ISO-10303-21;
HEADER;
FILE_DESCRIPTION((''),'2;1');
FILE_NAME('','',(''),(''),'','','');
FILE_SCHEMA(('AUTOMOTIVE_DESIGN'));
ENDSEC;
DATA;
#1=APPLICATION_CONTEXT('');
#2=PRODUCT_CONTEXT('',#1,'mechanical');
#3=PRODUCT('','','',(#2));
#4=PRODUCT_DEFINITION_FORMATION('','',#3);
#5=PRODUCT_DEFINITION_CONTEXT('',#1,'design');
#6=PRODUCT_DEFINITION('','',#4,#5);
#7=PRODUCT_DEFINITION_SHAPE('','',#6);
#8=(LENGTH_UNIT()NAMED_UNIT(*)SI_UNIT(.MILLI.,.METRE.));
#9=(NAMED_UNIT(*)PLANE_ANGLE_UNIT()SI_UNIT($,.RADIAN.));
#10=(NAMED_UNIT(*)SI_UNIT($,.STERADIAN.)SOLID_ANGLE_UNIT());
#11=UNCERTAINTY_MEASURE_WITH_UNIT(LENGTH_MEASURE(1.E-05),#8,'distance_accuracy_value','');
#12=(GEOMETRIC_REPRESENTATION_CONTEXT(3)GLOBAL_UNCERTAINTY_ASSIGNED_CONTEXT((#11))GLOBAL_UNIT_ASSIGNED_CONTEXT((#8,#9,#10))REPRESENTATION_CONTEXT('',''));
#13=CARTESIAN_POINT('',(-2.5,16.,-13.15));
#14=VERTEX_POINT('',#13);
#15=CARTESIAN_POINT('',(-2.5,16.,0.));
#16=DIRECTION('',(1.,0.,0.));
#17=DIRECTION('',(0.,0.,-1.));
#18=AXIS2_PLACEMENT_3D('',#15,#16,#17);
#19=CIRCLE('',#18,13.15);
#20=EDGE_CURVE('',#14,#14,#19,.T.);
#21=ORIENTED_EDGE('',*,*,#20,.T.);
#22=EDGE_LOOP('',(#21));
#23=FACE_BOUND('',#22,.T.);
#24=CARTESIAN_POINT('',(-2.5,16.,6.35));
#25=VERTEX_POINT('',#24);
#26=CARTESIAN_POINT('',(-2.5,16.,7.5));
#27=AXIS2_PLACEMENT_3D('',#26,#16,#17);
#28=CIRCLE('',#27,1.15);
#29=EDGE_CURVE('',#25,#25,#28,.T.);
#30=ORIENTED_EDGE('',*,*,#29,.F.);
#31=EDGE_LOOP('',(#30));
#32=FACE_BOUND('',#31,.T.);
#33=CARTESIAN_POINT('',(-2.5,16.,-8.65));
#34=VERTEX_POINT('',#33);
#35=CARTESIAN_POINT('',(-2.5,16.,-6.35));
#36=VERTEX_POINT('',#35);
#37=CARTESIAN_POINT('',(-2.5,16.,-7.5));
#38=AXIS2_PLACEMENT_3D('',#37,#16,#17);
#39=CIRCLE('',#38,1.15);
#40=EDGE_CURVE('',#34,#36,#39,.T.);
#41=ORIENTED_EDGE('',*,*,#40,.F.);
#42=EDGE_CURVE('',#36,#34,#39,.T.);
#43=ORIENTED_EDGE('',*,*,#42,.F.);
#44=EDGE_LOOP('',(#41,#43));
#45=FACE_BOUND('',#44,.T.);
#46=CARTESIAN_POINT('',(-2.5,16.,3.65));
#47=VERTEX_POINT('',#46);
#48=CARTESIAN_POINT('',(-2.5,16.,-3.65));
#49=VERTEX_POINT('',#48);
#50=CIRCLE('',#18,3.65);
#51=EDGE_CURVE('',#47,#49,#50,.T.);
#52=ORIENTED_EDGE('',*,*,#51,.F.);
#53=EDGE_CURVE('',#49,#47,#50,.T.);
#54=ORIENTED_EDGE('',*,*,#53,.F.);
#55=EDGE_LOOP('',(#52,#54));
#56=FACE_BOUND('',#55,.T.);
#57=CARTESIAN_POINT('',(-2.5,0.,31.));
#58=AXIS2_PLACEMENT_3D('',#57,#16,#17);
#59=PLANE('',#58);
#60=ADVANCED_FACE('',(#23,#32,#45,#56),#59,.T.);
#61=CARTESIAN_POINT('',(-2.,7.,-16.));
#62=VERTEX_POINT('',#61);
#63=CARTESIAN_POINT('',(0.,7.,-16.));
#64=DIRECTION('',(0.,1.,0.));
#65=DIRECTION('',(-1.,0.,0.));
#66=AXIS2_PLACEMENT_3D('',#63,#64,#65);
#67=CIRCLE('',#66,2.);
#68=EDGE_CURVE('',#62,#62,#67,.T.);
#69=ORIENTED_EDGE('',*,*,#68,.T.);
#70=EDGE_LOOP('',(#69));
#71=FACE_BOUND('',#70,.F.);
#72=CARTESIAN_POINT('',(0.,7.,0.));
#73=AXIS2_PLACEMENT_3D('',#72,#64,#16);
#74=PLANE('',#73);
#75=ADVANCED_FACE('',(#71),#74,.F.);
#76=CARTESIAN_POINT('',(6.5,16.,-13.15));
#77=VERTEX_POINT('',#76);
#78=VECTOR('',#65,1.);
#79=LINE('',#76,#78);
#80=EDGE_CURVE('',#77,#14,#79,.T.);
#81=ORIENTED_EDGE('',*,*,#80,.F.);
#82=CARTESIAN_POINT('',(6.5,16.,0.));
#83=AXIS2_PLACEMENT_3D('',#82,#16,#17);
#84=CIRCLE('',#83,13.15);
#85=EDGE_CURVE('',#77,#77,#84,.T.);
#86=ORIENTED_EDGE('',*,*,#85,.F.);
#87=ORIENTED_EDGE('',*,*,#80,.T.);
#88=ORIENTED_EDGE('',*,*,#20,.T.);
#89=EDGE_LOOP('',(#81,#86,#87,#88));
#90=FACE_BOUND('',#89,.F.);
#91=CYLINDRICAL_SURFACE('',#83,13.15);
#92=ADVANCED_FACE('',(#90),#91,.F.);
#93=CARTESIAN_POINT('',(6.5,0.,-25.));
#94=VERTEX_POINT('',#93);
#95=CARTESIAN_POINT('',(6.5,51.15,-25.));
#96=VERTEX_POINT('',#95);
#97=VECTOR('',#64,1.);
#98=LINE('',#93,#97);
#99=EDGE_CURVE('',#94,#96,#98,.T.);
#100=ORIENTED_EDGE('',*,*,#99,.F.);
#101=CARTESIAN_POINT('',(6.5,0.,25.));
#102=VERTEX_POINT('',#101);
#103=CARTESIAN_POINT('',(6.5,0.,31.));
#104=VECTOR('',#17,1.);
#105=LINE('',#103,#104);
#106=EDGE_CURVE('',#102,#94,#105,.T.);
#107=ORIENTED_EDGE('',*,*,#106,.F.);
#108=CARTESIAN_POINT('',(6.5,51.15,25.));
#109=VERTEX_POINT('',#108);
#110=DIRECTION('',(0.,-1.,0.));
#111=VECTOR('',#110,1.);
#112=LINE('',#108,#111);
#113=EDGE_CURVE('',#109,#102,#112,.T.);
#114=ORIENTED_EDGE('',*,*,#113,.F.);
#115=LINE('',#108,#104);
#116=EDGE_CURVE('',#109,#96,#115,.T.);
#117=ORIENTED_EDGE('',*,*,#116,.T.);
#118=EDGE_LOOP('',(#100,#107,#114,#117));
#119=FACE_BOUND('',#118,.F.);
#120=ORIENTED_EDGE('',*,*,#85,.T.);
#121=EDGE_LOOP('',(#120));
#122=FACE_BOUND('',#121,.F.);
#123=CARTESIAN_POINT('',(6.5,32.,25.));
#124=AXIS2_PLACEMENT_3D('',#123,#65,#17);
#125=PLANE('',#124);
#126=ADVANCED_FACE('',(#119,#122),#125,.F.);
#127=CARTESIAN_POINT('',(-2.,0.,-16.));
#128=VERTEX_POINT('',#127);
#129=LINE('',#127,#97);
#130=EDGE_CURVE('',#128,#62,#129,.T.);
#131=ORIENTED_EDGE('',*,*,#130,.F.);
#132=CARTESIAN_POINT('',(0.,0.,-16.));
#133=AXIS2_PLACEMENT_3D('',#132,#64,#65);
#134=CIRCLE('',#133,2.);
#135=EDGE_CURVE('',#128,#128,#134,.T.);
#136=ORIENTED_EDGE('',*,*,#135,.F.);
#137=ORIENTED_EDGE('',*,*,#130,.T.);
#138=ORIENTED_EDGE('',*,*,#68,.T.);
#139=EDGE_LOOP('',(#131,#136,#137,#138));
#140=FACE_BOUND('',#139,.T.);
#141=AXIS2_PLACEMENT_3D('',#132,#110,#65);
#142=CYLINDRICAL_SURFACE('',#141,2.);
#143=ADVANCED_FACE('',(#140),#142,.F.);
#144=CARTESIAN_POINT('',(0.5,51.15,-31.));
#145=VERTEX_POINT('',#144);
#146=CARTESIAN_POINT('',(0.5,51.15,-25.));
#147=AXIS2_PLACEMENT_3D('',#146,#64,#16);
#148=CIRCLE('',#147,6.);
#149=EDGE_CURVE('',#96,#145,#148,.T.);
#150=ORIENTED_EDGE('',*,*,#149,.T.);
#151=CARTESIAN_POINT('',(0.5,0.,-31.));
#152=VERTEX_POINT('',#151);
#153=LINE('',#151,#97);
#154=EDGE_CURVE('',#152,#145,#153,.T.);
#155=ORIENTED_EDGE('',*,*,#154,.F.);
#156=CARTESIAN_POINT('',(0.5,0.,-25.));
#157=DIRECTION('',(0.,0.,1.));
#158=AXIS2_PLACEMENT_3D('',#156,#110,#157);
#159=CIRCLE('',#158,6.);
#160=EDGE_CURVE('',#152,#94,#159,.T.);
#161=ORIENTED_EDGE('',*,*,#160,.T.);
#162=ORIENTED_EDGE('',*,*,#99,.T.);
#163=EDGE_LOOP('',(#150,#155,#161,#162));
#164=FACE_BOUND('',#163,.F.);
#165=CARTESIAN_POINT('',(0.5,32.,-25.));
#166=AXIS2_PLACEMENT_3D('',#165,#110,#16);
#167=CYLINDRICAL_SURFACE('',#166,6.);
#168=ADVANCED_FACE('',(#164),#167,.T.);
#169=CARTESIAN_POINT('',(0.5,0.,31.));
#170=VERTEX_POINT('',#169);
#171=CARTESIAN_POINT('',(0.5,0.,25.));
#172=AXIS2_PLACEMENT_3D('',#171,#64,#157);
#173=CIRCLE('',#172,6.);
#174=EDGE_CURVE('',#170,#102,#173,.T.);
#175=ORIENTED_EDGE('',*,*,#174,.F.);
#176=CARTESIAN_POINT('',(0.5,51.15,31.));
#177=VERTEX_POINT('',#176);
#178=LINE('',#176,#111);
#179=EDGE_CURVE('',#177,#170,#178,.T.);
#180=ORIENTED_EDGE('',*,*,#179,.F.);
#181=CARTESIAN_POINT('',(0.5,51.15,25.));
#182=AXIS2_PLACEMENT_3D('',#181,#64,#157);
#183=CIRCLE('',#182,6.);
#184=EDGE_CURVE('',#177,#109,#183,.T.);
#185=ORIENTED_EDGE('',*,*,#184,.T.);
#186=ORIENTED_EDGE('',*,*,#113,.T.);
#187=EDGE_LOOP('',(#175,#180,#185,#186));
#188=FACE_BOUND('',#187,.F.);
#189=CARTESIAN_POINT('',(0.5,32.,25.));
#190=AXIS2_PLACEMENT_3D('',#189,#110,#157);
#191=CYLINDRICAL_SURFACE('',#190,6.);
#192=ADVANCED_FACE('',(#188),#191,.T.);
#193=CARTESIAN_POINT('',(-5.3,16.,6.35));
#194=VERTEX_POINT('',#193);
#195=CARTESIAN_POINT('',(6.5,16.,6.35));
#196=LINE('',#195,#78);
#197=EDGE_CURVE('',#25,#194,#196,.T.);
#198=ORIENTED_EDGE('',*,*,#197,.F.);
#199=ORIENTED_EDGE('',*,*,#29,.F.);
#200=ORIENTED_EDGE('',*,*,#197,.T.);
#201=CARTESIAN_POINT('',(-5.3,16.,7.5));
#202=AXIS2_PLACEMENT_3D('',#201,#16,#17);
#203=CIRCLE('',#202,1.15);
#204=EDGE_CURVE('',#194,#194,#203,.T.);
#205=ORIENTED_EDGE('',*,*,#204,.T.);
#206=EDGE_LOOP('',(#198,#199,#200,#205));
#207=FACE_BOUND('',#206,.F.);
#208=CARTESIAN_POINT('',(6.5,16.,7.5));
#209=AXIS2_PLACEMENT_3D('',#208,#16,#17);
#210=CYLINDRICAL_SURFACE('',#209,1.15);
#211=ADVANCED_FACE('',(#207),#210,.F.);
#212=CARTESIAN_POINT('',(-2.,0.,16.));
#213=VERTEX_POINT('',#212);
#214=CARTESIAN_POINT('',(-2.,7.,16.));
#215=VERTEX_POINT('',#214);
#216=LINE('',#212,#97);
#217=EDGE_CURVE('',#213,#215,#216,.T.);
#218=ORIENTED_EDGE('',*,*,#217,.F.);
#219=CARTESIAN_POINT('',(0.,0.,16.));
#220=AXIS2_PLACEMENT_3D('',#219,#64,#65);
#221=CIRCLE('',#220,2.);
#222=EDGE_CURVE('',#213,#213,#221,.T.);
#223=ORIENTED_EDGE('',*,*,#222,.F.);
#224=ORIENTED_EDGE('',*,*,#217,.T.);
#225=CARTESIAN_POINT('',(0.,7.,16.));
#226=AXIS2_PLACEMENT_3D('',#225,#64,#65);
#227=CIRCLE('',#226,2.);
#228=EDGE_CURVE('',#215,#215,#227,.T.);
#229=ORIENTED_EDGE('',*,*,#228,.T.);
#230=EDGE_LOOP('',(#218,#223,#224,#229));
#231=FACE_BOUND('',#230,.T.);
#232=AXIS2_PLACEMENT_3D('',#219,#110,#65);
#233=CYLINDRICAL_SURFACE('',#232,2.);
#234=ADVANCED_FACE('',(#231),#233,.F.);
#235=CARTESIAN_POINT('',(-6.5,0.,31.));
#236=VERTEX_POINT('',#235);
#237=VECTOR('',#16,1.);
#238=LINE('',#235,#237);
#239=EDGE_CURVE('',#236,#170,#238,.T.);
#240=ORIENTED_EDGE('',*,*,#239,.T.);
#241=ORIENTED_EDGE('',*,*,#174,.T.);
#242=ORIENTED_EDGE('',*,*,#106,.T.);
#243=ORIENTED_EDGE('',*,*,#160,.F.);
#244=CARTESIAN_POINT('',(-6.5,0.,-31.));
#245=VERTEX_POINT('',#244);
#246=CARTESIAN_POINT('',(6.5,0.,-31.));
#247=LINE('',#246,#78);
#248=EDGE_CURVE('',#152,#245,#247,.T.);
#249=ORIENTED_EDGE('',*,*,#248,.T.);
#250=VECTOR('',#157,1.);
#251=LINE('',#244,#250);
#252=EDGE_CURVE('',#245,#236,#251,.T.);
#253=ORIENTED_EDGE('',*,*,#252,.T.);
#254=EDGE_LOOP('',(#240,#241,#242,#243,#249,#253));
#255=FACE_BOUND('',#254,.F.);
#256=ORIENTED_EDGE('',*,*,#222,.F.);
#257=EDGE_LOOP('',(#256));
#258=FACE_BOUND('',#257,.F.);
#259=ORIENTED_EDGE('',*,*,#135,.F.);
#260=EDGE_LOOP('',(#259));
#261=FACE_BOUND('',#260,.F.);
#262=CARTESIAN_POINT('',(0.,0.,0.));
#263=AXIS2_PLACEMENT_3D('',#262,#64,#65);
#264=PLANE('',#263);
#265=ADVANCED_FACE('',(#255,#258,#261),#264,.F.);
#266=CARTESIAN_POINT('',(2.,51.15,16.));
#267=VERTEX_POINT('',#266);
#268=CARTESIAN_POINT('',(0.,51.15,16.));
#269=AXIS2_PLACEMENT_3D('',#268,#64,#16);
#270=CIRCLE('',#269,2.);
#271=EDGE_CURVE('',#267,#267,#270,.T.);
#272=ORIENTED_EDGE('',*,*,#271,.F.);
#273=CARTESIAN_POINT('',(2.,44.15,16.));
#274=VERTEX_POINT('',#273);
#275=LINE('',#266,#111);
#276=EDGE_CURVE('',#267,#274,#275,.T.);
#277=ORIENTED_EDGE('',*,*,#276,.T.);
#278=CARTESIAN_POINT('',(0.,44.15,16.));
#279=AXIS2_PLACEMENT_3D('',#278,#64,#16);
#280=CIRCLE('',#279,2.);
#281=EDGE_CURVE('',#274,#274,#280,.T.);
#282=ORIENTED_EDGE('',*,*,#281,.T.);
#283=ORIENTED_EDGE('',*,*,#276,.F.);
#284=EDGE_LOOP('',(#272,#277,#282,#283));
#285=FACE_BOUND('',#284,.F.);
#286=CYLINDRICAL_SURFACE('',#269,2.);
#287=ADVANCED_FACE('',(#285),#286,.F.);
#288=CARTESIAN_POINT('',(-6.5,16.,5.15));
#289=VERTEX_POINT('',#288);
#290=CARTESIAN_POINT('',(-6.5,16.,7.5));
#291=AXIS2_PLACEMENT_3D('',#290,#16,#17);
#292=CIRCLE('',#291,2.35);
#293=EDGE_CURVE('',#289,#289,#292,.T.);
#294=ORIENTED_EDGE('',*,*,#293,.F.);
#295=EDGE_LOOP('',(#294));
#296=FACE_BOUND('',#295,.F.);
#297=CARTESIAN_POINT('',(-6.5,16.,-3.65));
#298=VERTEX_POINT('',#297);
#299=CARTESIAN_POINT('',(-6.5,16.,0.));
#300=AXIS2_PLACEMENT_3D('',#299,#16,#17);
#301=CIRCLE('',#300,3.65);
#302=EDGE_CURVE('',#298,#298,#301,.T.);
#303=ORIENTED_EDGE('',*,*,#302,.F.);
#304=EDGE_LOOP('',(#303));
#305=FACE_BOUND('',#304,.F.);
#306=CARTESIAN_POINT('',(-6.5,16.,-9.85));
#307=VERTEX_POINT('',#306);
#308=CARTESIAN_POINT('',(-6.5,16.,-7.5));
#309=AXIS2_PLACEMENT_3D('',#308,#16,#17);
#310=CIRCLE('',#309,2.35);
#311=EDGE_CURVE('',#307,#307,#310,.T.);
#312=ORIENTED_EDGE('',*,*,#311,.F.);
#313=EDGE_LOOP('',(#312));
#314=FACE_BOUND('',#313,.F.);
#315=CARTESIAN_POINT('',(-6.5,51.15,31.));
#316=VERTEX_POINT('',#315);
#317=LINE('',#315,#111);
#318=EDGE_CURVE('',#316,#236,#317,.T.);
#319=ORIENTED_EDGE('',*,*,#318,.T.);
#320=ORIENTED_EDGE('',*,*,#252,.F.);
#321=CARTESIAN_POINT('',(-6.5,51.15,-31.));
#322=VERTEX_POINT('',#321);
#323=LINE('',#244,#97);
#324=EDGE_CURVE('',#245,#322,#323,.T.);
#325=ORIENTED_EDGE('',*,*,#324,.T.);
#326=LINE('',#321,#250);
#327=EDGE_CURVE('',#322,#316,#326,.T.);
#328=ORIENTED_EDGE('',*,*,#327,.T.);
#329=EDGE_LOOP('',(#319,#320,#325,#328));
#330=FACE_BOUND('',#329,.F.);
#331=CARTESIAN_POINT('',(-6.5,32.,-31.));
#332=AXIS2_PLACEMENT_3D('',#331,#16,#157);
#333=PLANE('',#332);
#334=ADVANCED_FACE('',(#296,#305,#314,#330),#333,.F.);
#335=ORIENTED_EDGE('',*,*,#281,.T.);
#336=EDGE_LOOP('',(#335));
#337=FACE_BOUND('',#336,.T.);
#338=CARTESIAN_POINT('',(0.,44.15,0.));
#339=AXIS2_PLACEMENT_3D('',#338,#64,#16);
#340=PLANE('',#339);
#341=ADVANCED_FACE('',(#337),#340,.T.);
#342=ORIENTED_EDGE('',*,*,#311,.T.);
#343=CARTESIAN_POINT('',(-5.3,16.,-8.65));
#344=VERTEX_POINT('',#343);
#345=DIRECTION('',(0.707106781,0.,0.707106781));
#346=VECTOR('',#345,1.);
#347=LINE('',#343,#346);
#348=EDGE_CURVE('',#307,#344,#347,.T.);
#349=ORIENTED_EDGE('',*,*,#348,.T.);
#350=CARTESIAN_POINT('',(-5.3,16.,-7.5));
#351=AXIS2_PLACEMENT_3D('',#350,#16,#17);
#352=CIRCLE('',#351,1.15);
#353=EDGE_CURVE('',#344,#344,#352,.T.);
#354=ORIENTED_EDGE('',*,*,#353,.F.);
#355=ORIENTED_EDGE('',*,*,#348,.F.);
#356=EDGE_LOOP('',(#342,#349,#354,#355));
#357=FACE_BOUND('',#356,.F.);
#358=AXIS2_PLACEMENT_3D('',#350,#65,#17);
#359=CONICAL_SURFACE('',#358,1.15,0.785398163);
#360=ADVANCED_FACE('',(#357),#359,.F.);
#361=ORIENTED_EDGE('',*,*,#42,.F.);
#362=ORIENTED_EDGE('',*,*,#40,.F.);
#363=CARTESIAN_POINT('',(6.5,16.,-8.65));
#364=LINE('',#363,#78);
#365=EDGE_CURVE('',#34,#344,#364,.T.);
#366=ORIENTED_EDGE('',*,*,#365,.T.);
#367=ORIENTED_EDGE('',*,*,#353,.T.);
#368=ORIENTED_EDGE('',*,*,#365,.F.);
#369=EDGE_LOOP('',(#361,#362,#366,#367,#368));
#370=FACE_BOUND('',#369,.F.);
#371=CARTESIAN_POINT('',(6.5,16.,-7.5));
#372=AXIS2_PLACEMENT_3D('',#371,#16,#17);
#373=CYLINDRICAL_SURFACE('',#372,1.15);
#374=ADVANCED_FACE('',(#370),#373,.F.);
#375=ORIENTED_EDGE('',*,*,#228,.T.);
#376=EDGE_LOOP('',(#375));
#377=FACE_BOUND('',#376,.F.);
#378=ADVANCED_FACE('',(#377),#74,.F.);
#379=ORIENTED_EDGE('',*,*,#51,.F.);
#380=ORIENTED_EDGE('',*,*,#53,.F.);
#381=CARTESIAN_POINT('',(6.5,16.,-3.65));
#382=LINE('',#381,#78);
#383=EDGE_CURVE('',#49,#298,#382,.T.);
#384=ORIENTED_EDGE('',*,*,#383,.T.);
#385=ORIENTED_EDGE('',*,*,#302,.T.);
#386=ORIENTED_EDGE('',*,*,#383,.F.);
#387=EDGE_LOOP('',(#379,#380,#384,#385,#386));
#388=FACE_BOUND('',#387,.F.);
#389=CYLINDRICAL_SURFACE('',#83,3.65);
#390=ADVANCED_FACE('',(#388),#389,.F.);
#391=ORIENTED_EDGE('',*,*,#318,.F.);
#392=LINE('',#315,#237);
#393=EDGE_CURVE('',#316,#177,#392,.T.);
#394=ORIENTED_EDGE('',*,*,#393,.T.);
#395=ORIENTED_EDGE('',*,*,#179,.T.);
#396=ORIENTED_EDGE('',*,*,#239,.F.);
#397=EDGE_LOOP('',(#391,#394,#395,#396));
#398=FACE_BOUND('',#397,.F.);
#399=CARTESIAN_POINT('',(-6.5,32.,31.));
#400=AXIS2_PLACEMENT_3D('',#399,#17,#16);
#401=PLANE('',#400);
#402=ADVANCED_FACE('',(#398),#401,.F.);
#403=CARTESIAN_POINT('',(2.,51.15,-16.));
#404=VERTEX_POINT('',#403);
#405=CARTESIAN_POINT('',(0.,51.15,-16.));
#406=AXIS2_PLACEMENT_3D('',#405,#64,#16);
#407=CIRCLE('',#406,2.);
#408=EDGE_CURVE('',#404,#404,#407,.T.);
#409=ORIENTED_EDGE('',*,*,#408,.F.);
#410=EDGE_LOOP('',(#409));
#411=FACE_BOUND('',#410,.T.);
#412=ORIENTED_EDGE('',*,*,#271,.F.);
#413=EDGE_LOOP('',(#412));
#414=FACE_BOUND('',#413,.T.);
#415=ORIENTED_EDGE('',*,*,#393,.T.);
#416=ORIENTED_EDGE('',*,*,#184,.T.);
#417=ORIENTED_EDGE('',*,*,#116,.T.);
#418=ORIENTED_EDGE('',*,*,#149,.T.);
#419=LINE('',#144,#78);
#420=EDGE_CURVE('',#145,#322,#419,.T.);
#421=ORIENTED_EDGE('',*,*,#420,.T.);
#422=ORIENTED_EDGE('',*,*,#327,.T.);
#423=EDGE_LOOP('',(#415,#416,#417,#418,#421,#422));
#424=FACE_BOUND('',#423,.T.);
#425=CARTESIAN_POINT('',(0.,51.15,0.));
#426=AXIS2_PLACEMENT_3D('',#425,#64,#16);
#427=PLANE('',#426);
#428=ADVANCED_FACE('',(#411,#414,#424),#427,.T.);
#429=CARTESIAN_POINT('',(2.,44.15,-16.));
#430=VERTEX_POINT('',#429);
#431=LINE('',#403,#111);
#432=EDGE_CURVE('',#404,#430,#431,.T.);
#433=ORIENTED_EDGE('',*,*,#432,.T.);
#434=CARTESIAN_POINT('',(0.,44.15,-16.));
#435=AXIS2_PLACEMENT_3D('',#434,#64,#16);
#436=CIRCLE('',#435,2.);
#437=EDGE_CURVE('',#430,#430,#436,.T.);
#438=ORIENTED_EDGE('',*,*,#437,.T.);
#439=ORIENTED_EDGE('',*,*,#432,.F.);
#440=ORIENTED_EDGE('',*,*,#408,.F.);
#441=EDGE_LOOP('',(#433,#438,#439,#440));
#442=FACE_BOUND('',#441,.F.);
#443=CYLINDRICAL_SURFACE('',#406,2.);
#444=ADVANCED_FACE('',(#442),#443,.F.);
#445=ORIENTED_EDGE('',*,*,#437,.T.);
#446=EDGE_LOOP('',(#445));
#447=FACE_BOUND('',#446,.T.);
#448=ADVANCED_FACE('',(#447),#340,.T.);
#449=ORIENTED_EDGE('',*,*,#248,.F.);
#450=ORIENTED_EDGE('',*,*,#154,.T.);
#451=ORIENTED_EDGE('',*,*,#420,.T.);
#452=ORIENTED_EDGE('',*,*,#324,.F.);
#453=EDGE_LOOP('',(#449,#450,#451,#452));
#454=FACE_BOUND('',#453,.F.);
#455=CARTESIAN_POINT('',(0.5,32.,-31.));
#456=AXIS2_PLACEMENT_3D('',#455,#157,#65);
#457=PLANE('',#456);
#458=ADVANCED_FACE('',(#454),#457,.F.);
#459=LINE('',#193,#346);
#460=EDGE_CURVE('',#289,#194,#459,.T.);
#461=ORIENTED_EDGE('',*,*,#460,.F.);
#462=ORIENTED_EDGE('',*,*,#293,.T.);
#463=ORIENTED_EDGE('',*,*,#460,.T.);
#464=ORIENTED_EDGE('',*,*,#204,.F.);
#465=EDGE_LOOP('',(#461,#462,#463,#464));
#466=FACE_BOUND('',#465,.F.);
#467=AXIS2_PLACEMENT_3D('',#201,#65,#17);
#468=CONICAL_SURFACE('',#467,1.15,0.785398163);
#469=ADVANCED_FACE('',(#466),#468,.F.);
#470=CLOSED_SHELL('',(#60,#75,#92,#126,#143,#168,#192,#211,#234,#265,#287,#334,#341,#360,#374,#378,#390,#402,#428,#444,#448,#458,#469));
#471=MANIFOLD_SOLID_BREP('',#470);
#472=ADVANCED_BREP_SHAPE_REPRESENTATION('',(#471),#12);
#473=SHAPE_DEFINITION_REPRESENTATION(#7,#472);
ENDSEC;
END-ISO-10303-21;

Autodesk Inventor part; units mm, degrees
ref_plane "YZ Plane" through (0, 0, 0) normal (1, 0, 0) x (0, 1, 0)
ref_plane "XZ Plane" through (0, 0, 0) normal (0, 1, 0) x (-1, 0, 0)
ref_plane "XY Plane" through (0, 0, 0) normal (0, 0, 1) x (1, 0, 0)
sketch "Эскиз1" plane through (0, 0, 0) normal (0, 1, 0) x (-1, 0, 0)
  line L0 (6.5, 31) -> (-6.5, 31)
  line L1 (-6.5, 31) -> (-6.5, -31)
  line L2 (-6.5, -31) -> (6.5, -31)
  line L3 (6.5, -31) -> (6.5, 31)
  line L4 (-6.5, 31) -> (6.5, -31) construction
  line L5 (0, 31) -> (0, -31) construction
  circle A0 centre (0, 16) radius 2
  line L6 (6.5, 0) -> (-6.5, 0) construction
  circle A1 centre (0, -16) radius 2
  point P0 (0, 0)
  point P1 (0, 0)
  dimension "d0" = 13
  dimension "d1" = 62
  dimension "d2" = 16
  dimension "d3" = 4
extrude "Выдавливание1" add sketch "Эскиз1" along normal blind 32
sketch "Эскиз2" plane through (6.5, 0, 31) normal (1, 0, 0) x (0, 0, -1)
  line L0 (0, 32) -> (62, 32) projected
  line L1 (62, 0) -> (0, 0) projected
  line L2 (62, 32) -> (0, 0) construction
  circle A0 centre (31, 16) radius 10.15
  line L3 (20.85, 16) -> (41.15, 16) construction
  circle A1 centre (23.5, 16) radius 1.15
  circle A2 centre (38.5, 16) radius 1.15
  line L4 (23.5, 16) -> (38.5, 16)
  circle A3 centre (31, 16) radius 13.15
  line L5 (31, 29.15) -> (31, 2.85)
  line L6 (62, 0) -> (62, 32) projected
  circle A4 centre (31, 16) radius 3.65
  point P0 (31, 0)
  dimension "d9" = 20.3
  dimension "d10" = 2.3
  dimension "d11" = 15
  dimension "d17" = 7.3
  dimension "d21" = 26.3
extrude "Выдавливание3" cut sketch "Эскиз2" against normal through all contours A2 | A1 | A4 L4 L5 | L5 L4 A4 | A4 L4 L5 | L5 L4 A4
extrude "Выдавливание4" cut sketch "Эскиз2" against normal blind 9
sketch "Эскиз3" plane through (0, 32, 0) normal (0, 1, 0) x (1, 0, 0)
  circle A0 centre (0, -16) radius 2 projected
  circle A1 centre (0, 16) radius 2 projected
  point P0 (0, 0)
extrude "Выдавливание5" add sketch "Эскиз3" against normal blind 25
fillet "Сопряжение1" radius 6 2 edges at (6.5, 16, 31) (6.5, 16, -31)
chamfer "Фаска1" distance 1.2 angle 45 2 edges at (-6.5, 16, -6.35) (-6.5, 16, 8.65)
sketch "Эскиз6" plane through (0, 32, 0) normal (0, 1, 0) x (1, 0, 0)
  arc A0 (6.5, 25) -> (0.5, 31) centre (0.5, 25) ccw projected
  line L0 (0.5, 31) -> (-6.5, 31) projected
  line L1 (-6.5, 31) -> (-6.5, -31) projected
  line L2 (-6.5, -31) -> (0.5, -31) projected
  arc A1 (0.5, -31) -> (6.5, -25) centre (0.5, -25) ccw projected
  line L3 (6.5, -25) -> (6.5, 25) projected
  point P0 (0, 0)
extrude "Выдавливание6" add sketch "Эскиз6" along normal blind 19.15
sketch "Эскиз7" plane through (0, 51.15, 0) normal (0, 1, 0) x (1, 0, 0)
  circle A0 centre (0, -16) radius 2 projected
  circle A1 centre (0, 16) radius 2 projected
  point P0 (0, 0)
extrude "Выдавливание7" cut sketch "Эскиз7" against normal blind 7
properties part number "motor_mount_edge" material "Полиэтилен, низкая плотность"
